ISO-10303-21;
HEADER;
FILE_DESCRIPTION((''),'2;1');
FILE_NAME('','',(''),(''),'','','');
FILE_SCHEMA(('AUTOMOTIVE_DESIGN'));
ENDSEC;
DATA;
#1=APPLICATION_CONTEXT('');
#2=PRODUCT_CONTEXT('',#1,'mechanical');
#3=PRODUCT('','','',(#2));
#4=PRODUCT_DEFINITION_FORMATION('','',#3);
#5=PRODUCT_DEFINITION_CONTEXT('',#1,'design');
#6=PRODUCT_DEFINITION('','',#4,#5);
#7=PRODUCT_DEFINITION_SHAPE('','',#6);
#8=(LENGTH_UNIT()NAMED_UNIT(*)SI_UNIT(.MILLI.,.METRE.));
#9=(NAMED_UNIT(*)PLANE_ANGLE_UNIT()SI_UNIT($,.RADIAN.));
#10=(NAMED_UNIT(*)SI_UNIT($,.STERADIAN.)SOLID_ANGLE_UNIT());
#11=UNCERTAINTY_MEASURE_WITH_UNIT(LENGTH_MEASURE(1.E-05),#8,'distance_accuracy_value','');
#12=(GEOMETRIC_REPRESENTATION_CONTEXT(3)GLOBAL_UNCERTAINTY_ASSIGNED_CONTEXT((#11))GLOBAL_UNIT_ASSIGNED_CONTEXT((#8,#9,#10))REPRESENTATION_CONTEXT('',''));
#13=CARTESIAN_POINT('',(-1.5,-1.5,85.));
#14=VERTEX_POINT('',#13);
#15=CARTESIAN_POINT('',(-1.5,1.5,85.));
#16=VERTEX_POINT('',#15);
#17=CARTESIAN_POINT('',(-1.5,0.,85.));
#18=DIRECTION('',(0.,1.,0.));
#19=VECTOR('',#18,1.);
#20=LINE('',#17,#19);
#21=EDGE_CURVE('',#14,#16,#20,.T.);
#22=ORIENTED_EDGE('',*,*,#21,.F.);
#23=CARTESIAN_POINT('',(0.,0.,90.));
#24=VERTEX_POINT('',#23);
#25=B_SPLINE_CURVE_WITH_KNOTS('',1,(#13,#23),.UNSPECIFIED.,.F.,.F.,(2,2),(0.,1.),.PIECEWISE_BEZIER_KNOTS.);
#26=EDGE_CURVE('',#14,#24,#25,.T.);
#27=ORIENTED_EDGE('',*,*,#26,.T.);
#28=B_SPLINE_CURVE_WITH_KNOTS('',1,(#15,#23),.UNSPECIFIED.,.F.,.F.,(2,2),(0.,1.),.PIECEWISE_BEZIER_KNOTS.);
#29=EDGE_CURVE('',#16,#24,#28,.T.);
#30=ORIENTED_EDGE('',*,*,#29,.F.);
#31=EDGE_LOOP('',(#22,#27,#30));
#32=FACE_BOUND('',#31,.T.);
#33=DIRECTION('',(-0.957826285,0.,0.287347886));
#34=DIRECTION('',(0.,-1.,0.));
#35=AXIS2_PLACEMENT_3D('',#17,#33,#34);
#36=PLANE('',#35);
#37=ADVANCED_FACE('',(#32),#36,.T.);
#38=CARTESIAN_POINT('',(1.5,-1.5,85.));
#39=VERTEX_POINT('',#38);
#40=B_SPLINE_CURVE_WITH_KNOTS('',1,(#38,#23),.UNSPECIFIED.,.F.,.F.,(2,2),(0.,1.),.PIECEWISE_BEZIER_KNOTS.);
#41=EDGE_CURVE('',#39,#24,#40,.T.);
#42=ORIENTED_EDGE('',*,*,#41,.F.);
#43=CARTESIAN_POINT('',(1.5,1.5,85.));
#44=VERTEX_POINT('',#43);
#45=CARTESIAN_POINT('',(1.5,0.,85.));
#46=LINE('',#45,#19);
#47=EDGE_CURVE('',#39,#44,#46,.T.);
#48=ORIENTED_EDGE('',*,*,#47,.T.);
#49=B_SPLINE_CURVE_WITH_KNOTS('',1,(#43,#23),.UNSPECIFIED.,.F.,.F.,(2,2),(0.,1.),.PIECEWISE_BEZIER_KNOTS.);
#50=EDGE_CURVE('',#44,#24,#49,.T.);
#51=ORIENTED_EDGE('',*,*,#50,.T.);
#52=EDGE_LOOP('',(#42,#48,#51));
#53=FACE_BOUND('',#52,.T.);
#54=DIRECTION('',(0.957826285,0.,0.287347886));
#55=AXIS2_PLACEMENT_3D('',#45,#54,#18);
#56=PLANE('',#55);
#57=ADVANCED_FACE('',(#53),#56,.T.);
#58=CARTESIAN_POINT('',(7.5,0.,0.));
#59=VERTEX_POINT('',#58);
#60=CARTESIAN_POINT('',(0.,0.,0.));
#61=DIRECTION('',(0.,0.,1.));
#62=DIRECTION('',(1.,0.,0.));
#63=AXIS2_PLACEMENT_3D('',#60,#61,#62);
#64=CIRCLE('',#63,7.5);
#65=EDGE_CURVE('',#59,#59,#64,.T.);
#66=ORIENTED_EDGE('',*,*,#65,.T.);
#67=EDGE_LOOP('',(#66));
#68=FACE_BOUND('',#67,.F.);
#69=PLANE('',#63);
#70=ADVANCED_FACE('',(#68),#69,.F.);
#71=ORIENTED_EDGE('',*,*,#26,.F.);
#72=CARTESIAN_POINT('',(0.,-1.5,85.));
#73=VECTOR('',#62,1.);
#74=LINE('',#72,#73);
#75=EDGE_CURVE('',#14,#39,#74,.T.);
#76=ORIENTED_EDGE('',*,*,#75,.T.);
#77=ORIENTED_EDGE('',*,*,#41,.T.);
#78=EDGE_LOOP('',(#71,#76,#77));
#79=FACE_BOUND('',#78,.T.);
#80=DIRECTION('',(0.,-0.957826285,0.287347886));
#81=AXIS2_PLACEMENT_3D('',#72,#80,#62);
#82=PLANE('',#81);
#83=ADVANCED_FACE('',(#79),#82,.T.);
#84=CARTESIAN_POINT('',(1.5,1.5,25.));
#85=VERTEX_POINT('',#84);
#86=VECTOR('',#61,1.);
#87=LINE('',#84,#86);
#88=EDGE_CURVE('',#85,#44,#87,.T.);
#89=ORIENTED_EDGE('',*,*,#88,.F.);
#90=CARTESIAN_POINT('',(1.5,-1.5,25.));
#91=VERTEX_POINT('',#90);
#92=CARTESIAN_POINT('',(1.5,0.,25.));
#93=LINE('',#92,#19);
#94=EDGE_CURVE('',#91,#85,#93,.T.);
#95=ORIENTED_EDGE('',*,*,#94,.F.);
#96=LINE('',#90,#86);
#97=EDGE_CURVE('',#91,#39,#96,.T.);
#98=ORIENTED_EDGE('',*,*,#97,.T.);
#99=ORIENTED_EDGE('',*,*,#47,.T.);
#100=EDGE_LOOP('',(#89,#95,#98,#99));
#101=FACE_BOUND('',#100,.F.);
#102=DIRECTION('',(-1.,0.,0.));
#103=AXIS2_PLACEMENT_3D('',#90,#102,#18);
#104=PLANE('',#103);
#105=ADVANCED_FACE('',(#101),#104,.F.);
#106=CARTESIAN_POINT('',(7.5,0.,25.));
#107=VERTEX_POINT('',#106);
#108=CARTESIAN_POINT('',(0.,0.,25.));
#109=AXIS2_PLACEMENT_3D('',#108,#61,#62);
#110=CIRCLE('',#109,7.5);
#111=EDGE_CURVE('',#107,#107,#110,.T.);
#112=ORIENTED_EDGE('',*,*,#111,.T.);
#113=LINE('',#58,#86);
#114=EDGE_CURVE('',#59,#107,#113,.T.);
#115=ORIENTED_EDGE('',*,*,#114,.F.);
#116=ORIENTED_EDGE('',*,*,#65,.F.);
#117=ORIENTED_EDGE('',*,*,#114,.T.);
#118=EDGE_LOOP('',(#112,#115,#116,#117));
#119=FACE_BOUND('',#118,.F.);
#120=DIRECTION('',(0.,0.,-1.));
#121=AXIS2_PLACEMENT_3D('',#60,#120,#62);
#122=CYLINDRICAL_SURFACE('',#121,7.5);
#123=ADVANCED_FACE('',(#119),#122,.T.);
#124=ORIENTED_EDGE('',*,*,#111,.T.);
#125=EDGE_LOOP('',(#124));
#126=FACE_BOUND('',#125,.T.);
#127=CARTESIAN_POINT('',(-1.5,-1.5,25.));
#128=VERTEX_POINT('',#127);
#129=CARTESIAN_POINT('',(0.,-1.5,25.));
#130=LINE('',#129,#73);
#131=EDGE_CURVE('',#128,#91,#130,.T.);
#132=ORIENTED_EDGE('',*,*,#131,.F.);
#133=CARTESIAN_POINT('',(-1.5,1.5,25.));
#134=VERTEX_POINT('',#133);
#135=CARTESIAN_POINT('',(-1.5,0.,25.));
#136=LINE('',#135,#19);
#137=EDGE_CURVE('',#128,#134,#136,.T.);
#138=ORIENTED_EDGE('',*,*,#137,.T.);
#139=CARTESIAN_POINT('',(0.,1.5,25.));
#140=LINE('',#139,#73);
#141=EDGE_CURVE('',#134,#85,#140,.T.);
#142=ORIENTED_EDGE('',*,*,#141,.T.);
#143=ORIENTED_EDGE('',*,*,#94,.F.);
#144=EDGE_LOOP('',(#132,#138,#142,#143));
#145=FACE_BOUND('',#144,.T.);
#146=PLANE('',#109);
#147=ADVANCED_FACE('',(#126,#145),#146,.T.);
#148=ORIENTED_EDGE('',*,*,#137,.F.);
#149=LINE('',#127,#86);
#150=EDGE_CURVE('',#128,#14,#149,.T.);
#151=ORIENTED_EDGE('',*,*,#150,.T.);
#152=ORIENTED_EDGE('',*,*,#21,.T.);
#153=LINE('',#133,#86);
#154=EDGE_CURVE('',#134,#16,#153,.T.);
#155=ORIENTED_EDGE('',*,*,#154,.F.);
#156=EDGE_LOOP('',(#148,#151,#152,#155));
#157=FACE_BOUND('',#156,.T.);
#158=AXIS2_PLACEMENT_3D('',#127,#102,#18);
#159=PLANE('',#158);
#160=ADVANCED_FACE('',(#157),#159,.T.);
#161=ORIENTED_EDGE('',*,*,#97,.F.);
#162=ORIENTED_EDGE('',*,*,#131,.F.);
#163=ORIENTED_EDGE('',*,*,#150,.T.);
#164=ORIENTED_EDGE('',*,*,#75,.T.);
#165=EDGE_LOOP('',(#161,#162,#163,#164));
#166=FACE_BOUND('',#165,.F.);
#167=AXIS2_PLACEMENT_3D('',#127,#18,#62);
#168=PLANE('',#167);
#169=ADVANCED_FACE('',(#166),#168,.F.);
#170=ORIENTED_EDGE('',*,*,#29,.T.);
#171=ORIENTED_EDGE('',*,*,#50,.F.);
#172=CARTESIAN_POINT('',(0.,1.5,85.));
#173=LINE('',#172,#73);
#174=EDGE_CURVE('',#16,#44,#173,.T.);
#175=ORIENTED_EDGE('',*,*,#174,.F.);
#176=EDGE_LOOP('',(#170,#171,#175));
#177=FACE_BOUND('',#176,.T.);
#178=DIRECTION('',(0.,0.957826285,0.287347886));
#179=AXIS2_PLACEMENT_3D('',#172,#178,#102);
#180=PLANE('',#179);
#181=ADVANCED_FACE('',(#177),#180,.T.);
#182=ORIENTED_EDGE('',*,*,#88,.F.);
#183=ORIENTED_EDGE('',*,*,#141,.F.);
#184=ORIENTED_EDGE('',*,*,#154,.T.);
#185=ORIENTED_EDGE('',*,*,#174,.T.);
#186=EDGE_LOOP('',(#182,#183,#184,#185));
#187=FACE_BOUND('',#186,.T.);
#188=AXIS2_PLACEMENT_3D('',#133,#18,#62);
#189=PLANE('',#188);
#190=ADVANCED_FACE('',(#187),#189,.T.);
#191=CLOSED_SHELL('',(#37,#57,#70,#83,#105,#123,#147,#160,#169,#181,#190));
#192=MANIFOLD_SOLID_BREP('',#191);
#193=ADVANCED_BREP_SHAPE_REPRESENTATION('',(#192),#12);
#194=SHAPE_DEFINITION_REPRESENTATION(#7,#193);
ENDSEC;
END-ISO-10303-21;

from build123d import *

# Parameters (mm, degrees)
F0_R      = 7.5
F1_DEPTH  = 25
F2_W      = 3
F2_H      = 3
F3_DEPTH  = 60
F3_FACE_W = 3
F3_FACE_H = 3


with BuildPart() as f1:
    # F0 (on Top) → F1 (new body)
    with BuildSketch(Plane.XY):
        Circle(F0_R)
    extrude(amount=F1_DEPTH)

    # F2 (on face) → F3 (join)
    with BuildSketch(Plane.XY.offset(25)):
        Rectangle(F2_W, F2_H)
    extrude(amount=F3_DEPTH)

    # F3_face (on face) → F5 section 0
    with BuildSketch(Plane.XY.offset(85), mode=Mode.PRIVATE) as f5_s0:
        Rectangle(F3_FACE_W, F3_FACE_H)
    loft([f5_s0.sketch, Vertex(0, 0, 90)])


solid = f1.part
